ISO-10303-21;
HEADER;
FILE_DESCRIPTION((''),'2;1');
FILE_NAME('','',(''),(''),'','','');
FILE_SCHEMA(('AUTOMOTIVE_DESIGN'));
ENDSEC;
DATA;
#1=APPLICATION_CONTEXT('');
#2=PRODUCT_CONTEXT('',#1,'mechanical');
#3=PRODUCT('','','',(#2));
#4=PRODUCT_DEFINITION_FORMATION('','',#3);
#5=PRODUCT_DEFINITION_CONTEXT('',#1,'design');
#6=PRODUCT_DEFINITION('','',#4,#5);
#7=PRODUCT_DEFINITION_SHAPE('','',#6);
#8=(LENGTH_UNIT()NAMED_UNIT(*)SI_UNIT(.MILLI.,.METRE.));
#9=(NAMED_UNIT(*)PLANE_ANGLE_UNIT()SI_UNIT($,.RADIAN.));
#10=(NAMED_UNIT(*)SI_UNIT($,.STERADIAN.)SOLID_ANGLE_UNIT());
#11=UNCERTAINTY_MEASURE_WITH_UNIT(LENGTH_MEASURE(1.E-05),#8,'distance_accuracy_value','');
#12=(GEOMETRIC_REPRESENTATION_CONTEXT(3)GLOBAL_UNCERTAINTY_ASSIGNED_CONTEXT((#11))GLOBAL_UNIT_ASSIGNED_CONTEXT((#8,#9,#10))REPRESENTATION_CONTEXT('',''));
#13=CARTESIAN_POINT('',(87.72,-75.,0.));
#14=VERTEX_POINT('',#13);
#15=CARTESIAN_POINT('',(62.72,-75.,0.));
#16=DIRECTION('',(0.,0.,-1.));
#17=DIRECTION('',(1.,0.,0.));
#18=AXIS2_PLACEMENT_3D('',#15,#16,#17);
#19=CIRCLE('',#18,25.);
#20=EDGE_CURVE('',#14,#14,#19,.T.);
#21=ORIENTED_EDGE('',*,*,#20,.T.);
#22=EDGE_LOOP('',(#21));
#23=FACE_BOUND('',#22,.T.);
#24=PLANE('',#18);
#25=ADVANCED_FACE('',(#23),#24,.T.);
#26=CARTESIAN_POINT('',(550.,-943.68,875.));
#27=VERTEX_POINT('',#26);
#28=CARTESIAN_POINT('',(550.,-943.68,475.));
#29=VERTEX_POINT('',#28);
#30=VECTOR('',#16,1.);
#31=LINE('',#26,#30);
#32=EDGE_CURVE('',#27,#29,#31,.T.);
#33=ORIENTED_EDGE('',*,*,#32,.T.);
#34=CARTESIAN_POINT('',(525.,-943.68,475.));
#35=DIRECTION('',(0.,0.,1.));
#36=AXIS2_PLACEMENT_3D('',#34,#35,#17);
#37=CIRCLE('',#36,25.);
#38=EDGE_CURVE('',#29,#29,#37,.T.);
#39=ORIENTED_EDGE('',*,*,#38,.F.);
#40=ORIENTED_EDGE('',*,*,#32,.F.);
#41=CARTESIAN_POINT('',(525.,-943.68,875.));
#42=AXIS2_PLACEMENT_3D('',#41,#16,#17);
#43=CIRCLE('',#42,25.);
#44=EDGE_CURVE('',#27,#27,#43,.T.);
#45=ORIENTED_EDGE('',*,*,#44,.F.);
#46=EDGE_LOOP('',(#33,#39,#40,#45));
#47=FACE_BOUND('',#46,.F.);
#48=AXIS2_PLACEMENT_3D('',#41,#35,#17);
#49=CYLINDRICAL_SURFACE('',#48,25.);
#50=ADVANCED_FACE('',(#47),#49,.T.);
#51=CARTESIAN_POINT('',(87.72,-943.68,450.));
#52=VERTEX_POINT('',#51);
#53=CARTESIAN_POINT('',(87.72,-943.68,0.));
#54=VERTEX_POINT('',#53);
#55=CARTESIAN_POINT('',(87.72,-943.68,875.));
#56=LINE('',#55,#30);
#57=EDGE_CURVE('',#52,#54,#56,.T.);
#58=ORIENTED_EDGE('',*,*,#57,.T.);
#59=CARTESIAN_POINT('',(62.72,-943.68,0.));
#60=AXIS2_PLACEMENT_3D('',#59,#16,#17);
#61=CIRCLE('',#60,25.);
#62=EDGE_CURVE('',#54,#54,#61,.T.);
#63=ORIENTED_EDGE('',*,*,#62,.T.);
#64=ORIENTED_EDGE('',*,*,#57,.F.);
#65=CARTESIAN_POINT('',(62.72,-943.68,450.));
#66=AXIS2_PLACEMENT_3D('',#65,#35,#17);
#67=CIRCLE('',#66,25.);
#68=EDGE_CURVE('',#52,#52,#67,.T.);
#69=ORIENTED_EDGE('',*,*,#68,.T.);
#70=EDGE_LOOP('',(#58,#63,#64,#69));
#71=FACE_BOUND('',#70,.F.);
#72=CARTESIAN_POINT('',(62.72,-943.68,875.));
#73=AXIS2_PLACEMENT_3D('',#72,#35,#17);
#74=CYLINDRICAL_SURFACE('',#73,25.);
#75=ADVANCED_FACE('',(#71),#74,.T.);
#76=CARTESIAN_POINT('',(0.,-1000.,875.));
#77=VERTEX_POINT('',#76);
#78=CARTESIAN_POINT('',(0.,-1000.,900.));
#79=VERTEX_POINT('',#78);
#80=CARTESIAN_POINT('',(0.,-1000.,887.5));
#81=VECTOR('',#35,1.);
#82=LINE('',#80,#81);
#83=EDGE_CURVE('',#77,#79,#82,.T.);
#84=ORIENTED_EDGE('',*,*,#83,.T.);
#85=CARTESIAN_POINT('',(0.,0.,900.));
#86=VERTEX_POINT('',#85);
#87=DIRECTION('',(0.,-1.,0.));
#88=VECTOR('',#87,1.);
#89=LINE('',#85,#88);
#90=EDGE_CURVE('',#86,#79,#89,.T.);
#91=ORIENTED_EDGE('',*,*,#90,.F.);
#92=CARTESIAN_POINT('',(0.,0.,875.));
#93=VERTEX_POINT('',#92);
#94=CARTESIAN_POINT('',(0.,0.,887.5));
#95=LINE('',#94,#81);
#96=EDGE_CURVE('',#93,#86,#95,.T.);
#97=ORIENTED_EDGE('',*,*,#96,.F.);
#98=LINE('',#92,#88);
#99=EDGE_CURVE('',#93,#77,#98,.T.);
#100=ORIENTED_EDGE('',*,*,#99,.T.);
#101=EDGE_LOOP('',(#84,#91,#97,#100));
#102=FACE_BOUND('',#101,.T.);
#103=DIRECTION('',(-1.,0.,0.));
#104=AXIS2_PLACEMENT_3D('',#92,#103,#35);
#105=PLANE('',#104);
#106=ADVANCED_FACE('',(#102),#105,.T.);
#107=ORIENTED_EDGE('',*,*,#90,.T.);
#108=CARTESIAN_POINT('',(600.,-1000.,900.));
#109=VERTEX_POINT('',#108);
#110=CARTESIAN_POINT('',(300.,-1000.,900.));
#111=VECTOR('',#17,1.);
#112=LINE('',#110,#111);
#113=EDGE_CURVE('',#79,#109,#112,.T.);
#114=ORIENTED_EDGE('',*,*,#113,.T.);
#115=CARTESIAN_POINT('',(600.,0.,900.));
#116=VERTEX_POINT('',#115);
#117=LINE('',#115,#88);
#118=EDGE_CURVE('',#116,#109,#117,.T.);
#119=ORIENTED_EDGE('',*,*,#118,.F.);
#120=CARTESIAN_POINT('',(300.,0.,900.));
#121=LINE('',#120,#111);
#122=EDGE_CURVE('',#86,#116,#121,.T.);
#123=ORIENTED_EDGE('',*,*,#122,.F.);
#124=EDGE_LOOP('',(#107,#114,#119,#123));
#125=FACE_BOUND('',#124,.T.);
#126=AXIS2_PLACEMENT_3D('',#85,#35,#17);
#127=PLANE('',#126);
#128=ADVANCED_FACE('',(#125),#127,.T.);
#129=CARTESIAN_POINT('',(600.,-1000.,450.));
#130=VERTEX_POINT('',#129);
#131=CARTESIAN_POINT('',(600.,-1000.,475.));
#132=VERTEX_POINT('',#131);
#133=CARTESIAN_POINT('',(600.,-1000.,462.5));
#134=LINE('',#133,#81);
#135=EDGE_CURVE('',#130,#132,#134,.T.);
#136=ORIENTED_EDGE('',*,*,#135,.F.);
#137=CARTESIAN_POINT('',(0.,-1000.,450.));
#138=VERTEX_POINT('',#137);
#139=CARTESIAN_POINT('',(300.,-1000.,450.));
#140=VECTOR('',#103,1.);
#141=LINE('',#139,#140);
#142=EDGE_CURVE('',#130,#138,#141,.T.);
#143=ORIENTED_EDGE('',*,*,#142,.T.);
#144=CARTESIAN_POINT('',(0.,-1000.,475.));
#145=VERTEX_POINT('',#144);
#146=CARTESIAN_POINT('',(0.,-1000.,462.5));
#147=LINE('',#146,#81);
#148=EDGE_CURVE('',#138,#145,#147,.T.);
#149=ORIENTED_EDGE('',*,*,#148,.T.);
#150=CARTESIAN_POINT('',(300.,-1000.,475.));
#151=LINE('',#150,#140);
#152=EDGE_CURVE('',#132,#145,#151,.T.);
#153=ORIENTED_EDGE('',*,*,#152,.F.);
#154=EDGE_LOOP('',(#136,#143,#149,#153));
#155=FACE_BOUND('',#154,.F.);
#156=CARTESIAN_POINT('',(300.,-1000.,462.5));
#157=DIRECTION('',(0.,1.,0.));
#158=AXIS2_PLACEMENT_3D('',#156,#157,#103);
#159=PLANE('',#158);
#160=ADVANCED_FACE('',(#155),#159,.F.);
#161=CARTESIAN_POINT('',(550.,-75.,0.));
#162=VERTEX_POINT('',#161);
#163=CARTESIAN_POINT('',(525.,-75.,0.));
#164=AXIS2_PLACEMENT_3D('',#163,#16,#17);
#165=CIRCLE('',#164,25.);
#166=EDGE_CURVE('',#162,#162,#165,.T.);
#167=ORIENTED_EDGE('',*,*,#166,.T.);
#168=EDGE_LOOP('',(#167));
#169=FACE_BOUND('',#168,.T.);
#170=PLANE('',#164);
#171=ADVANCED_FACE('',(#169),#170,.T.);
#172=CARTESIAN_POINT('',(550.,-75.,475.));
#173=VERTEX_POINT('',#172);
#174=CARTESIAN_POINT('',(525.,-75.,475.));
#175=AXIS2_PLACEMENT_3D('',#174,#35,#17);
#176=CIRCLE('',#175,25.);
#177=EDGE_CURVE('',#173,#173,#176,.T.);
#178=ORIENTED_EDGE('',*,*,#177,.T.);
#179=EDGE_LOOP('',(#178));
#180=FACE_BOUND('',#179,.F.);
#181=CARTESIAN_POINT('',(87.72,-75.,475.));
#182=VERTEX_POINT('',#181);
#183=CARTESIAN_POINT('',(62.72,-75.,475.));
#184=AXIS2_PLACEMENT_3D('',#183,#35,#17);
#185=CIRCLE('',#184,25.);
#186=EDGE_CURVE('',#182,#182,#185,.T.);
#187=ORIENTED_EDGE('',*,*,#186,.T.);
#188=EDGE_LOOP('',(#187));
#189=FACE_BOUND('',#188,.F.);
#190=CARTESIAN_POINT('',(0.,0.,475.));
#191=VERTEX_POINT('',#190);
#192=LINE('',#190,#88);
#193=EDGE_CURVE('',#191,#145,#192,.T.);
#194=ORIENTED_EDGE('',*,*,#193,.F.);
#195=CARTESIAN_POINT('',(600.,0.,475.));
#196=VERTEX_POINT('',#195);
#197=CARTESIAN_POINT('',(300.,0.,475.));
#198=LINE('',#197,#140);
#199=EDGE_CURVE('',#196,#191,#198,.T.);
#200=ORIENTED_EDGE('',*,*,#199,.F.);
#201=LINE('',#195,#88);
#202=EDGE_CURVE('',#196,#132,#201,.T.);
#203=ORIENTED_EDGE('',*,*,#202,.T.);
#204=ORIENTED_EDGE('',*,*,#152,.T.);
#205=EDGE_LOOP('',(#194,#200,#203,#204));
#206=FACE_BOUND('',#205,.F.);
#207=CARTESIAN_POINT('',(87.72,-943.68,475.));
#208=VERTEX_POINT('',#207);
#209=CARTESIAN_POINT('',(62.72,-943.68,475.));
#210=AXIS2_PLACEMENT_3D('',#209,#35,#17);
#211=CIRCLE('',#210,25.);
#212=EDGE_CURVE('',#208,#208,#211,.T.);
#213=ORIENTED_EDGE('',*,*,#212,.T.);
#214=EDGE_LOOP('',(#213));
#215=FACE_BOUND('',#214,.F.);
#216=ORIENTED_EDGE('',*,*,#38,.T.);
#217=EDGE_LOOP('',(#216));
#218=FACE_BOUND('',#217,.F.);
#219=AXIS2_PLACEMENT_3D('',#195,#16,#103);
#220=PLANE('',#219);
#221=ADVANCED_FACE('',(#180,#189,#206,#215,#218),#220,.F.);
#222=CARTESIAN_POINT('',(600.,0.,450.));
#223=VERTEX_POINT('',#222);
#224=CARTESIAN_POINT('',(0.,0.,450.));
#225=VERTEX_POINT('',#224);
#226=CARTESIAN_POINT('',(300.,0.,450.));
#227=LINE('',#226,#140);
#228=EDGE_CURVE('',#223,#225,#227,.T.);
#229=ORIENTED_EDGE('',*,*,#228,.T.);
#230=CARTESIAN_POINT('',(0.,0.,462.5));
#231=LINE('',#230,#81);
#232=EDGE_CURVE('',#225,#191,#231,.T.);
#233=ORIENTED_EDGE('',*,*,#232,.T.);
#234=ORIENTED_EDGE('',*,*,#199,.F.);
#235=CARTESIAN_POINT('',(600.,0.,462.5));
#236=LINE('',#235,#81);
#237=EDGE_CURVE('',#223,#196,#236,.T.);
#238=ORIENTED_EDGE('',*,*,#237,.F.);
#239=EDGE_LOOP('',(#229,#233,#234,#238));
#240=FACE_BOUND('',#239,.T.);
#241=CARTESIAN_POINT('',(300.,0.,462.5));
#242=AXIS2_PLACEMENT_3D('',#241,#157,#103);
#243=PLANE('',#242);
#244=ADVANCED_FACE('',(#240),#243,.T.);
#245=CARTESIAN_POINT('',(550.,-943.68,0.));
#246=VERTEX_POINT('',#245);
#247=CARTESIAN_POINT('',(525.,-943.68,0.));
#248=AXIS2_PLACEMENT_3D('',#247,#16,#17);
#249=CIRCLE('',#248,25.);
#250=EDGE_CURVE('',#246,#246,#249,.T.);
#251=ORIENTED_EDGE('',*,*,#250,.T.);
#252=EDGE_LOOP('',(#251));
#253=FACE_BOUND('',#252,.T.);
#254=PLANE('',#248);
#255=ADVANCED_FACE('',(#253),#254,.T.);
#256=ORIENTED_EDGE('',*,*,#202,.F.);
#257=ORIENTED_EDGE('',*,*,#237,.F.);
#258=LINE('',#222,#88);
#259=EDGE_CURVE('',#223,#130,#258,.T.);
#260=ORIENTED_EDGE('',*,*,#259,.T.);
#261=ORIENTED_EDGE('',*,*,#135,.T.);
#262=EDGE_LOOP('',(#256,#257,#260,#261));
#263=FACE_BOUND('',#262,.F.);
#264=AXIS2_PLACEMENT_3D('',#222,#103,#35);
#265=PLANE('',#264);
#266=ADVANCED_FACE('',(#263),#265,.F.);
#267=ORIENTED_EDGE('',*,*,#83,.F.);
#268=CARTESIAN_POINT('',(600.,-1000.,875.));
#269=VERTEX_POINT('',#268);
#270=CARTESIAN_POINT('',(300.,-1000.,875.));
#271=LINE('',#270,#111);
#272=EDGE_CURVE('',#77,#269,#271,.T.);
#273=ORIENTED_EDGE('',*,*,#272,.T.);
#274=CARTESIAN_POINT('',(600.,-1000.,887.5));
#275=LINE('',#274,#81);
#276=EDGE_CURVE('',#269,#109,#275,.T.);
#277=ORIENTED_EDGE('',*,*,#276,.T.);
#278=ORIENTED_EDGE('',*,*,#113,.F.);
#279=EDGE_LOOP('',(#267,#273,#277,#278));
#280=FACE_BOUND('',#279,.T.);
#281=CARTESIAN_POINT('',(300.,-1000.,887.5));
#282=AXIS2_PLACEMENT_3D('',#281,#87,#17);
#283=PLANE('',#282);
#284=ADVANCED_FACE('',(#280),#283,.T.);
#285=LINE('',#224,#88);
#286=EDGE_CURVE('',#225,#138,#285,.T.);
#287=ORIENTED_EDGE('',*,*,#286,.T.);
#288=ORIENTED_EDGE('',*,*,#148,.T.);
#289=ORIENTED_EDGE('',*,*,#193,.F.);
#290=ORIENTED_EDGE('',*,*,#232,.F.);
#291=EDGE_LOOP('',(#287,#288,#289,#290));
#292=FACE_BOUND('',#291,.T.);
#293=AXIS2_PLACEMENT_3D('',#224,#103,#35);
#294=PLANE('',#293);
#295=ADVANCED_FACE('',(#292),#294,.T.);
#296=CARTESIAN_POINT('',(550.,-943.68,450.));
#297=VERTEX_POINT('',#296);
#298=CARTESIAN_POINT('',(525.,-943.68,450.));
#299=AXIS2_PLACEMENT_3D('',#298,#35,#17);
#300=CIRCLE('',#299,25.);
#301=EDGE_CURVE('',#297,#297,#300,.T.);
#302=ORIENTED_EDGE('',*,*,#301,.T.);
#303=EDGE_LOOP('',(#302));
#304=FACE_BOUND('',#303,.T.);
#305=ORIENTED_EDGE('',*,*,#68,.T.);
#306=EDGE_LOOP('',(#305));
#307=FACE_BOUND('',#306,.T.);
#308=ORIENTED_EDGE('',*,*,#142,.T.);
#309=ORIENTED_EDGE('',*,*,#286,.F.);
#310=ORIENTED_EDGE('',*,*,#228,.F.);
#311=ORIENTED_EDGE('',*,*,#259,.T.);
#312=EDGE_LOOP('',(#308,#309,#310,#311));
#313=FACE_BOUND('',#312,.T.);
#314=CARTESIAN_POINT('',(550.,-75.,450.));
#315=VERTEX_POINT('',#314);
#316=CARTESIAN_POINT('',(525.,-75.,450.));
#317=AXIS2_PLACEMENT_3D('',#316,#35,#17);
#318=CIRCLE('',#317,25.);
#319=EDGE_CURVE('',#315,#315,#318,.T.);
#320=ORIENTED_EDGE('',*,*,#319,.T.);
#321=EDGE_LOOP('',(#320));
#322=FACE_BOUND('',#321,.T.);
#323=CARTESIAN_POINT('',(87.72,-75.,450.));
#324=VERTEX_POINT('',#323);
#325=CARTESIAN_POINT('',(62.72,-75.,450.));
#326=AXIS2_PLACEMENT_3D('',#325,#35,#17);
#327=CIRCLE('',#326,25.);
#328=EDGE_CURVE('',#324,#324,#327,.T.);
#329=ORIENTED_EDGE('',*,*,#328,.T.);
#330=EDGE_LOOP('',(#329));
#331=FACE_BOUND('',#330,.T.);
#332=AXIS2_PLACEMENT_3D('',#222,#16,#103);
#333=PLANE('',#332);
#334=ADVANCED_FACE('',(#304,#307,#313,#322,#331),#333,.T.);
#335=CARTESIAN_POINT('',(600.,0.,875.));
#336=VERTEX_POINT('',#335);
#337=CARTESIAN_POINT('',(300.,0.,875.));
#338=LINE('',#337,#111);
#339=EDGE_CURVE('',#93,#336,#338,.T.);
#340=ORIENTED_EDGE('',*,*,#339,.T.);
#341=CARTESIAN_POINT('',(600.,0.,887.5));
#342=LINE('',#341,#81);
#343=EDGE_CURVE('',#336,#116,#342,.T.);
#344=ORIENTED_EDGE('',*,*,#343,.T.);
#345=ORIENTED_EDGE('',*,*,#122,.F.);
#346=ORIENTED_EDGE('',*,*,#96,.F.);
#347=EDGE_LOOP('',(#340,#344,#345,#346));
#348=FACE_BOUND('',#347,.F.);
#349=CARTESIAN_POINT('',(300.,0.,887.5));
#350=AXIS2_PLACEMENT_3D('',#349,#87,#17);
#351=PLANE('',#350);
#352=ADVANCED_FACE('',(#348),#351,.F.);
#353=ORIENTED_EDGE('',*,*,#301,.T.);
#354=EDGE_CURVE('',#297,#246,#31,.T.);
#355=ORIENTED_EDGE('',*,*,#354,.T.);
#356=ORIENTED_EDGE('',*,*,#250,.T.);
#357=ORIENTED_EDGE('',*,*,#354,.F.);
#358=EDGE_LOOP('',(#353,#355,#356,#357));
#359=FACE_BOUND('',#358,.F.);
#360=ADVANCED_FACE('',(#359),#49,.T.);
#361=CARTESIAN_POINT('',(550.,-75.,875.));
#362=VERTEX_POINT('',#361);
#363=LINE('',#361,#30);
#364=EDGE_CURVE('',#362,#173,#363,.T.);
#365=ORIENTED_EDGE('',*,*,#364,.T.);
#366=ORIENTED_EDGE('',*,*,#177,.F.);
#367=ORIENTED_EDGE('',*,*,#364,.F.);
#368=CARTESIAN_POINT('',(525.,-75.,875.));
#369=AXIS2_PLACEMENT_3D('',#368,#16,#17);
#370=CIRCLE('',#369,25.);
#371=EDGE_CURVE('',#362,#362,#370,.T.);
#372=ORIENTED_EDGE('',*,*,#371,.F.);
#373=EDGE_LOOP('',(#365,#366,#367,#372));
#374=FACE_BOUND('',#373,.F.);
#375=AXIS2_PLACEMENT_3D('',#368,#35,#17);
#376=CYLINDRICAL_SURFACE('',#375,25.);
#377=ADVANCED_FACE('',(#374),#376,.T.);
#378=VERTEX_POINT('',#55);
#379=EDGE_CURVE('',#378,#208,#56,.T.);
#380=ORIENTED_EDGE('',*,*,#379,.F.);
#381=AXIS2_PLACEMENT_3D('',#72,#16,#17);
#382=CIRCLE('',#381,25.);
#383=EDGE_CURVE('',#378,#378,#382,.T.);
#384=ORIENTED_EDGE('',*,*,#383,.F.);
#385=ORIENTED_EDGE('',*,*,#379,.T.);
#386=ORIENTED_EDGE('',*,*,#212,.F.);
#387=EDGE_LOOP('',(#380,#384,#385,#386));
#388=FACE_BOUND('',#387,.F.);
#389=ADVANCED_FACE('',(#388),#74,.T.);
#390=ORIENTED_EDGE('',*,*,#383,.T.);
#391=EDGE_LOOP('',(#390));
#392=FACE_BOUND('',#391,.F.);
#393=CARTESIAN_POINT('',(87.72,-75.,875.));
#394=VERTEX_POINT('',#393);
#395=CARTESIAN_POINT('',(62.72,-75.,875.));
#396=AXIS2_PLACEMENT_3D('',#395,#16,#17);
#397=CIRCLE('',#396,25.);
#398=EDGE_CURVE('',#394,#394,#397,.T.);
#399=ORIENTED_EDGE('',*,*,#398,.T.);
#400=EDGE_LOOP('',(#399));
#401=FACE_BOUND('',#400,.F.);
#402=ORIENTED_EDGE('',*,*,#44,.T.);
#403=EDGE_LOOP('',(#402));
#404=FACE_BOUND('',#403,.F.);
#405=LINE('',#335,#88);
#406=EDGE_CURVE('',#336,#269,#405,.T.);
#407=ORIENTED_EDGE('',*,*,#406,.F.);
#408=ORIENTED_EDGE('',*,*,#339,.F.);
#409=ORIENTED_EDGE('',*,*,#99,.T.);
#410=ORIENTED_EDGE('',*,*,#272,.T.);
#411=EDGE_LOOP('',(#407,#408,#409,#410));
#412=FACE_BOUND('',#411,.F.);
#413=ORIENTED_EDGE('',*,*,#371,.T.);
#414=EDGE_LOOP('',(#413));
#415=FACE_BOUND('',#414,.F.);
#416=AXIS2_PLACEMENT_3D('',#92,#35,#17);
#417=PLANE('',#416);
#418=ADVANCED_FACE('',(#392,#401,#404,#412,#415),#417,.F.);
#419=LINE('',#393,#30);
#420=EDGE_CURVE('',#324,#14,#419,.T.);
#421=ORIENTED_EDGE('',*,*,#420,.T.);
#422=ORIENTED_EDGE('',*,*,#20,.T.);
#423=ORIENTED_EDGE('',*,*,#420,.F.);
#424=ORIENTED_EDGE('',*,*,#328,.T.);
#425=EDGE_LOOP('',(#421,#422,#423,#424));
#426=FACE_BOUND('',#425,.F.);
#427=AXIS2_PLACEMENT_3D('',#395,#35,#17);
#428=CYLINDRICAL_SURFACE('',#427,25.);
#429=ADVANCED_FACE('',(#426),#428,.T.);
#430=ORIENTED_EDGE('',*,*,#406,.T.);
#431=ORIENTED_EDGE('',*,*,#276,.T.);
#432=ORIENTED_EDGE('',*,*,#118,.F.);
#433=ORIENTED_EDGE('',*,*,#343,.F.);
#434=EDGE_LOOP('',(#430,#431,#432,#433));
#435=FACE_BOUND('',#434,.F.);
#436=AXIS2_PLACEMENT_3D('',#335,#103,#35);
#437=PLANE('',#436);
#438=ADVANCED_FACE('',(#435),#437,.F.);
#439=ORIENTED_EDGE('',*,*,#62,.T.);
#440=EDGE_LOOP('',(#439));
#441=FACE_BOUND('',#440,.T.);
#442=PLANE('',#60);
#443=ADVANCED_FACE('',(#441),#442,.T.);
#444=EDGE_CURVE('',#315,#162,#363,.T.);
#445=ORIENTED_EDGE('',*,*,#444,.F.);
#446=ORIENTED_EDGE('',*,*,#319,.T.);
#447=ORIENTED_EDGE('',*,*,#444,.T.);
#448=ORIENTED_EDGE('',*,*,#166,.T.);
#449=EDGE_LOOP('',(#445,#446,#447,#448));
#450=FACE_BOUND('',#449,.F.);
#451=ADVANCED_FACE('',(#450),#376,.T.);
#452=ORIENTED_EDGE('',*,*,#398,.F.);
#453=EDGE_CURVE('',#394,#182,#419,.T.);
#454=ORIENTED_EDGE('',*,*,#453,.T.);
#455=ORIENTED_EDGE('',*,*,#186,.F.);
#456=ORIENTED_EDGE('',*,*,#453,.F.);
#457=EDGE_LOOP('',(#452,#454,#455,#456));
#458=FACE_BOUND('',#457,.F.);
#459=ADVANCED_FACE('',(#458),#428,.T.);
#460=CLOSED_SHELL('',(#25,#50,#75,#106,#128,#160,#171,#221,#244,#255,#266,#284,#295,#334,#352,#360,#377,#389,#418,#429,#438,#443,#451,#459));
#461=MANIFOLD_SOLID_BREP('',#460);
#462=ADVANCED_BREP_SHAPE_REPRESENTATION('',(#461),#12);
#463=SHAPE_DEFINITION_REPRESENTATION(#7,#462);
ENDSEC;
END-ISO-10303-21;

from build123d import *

# Parameters (mm, degrees)
F0_W     = 600
F0_H     = 25
F1_DEPTH = 1000
F2_R     = 25
F3_DEPTH = 875
F4_W     = 600
F4_H     = 25
F5_DEPTH = 1000


with BuildPart() as f1:
    # F0 (on Front) → F1 (new body)
    with BuildSketch(Plane.XZ):
        with Locations((300, 887.5)):
            Rectangle(F0_W, F0_H)
    extrude(amount=F1_DEPTH)

    # F2 (on face) → F3 (join)
    with BuildSketch(Plane(origin=(0, 0, 875), x_dir=(1, 0, 0), z_dir=(0, 0, -1))):
        with Locations((525, 75)):
            Circle(F2_R)
        with Locations((62.72, 75)):
            Circle(F2_R)
        with Locations((525, 943.68)):
            Circle(F2_R)
        with Locations((62.72, 943.68)):
            Circle(F2_R)
    extrude(amount=F3_DEPTH)

    # F4 (on face) → F5 (join)
    with BuildSketch(Plane(origin=(0, 0, 0), x_dir=(-1, 0, 0), z_dir=(0, 1, 0))):
        with Locations((-300, 462.5)):
            Rectangle(F4_W, F4_H)
    extrude(amount=-F5_DEPTH)


solid = f1.part
